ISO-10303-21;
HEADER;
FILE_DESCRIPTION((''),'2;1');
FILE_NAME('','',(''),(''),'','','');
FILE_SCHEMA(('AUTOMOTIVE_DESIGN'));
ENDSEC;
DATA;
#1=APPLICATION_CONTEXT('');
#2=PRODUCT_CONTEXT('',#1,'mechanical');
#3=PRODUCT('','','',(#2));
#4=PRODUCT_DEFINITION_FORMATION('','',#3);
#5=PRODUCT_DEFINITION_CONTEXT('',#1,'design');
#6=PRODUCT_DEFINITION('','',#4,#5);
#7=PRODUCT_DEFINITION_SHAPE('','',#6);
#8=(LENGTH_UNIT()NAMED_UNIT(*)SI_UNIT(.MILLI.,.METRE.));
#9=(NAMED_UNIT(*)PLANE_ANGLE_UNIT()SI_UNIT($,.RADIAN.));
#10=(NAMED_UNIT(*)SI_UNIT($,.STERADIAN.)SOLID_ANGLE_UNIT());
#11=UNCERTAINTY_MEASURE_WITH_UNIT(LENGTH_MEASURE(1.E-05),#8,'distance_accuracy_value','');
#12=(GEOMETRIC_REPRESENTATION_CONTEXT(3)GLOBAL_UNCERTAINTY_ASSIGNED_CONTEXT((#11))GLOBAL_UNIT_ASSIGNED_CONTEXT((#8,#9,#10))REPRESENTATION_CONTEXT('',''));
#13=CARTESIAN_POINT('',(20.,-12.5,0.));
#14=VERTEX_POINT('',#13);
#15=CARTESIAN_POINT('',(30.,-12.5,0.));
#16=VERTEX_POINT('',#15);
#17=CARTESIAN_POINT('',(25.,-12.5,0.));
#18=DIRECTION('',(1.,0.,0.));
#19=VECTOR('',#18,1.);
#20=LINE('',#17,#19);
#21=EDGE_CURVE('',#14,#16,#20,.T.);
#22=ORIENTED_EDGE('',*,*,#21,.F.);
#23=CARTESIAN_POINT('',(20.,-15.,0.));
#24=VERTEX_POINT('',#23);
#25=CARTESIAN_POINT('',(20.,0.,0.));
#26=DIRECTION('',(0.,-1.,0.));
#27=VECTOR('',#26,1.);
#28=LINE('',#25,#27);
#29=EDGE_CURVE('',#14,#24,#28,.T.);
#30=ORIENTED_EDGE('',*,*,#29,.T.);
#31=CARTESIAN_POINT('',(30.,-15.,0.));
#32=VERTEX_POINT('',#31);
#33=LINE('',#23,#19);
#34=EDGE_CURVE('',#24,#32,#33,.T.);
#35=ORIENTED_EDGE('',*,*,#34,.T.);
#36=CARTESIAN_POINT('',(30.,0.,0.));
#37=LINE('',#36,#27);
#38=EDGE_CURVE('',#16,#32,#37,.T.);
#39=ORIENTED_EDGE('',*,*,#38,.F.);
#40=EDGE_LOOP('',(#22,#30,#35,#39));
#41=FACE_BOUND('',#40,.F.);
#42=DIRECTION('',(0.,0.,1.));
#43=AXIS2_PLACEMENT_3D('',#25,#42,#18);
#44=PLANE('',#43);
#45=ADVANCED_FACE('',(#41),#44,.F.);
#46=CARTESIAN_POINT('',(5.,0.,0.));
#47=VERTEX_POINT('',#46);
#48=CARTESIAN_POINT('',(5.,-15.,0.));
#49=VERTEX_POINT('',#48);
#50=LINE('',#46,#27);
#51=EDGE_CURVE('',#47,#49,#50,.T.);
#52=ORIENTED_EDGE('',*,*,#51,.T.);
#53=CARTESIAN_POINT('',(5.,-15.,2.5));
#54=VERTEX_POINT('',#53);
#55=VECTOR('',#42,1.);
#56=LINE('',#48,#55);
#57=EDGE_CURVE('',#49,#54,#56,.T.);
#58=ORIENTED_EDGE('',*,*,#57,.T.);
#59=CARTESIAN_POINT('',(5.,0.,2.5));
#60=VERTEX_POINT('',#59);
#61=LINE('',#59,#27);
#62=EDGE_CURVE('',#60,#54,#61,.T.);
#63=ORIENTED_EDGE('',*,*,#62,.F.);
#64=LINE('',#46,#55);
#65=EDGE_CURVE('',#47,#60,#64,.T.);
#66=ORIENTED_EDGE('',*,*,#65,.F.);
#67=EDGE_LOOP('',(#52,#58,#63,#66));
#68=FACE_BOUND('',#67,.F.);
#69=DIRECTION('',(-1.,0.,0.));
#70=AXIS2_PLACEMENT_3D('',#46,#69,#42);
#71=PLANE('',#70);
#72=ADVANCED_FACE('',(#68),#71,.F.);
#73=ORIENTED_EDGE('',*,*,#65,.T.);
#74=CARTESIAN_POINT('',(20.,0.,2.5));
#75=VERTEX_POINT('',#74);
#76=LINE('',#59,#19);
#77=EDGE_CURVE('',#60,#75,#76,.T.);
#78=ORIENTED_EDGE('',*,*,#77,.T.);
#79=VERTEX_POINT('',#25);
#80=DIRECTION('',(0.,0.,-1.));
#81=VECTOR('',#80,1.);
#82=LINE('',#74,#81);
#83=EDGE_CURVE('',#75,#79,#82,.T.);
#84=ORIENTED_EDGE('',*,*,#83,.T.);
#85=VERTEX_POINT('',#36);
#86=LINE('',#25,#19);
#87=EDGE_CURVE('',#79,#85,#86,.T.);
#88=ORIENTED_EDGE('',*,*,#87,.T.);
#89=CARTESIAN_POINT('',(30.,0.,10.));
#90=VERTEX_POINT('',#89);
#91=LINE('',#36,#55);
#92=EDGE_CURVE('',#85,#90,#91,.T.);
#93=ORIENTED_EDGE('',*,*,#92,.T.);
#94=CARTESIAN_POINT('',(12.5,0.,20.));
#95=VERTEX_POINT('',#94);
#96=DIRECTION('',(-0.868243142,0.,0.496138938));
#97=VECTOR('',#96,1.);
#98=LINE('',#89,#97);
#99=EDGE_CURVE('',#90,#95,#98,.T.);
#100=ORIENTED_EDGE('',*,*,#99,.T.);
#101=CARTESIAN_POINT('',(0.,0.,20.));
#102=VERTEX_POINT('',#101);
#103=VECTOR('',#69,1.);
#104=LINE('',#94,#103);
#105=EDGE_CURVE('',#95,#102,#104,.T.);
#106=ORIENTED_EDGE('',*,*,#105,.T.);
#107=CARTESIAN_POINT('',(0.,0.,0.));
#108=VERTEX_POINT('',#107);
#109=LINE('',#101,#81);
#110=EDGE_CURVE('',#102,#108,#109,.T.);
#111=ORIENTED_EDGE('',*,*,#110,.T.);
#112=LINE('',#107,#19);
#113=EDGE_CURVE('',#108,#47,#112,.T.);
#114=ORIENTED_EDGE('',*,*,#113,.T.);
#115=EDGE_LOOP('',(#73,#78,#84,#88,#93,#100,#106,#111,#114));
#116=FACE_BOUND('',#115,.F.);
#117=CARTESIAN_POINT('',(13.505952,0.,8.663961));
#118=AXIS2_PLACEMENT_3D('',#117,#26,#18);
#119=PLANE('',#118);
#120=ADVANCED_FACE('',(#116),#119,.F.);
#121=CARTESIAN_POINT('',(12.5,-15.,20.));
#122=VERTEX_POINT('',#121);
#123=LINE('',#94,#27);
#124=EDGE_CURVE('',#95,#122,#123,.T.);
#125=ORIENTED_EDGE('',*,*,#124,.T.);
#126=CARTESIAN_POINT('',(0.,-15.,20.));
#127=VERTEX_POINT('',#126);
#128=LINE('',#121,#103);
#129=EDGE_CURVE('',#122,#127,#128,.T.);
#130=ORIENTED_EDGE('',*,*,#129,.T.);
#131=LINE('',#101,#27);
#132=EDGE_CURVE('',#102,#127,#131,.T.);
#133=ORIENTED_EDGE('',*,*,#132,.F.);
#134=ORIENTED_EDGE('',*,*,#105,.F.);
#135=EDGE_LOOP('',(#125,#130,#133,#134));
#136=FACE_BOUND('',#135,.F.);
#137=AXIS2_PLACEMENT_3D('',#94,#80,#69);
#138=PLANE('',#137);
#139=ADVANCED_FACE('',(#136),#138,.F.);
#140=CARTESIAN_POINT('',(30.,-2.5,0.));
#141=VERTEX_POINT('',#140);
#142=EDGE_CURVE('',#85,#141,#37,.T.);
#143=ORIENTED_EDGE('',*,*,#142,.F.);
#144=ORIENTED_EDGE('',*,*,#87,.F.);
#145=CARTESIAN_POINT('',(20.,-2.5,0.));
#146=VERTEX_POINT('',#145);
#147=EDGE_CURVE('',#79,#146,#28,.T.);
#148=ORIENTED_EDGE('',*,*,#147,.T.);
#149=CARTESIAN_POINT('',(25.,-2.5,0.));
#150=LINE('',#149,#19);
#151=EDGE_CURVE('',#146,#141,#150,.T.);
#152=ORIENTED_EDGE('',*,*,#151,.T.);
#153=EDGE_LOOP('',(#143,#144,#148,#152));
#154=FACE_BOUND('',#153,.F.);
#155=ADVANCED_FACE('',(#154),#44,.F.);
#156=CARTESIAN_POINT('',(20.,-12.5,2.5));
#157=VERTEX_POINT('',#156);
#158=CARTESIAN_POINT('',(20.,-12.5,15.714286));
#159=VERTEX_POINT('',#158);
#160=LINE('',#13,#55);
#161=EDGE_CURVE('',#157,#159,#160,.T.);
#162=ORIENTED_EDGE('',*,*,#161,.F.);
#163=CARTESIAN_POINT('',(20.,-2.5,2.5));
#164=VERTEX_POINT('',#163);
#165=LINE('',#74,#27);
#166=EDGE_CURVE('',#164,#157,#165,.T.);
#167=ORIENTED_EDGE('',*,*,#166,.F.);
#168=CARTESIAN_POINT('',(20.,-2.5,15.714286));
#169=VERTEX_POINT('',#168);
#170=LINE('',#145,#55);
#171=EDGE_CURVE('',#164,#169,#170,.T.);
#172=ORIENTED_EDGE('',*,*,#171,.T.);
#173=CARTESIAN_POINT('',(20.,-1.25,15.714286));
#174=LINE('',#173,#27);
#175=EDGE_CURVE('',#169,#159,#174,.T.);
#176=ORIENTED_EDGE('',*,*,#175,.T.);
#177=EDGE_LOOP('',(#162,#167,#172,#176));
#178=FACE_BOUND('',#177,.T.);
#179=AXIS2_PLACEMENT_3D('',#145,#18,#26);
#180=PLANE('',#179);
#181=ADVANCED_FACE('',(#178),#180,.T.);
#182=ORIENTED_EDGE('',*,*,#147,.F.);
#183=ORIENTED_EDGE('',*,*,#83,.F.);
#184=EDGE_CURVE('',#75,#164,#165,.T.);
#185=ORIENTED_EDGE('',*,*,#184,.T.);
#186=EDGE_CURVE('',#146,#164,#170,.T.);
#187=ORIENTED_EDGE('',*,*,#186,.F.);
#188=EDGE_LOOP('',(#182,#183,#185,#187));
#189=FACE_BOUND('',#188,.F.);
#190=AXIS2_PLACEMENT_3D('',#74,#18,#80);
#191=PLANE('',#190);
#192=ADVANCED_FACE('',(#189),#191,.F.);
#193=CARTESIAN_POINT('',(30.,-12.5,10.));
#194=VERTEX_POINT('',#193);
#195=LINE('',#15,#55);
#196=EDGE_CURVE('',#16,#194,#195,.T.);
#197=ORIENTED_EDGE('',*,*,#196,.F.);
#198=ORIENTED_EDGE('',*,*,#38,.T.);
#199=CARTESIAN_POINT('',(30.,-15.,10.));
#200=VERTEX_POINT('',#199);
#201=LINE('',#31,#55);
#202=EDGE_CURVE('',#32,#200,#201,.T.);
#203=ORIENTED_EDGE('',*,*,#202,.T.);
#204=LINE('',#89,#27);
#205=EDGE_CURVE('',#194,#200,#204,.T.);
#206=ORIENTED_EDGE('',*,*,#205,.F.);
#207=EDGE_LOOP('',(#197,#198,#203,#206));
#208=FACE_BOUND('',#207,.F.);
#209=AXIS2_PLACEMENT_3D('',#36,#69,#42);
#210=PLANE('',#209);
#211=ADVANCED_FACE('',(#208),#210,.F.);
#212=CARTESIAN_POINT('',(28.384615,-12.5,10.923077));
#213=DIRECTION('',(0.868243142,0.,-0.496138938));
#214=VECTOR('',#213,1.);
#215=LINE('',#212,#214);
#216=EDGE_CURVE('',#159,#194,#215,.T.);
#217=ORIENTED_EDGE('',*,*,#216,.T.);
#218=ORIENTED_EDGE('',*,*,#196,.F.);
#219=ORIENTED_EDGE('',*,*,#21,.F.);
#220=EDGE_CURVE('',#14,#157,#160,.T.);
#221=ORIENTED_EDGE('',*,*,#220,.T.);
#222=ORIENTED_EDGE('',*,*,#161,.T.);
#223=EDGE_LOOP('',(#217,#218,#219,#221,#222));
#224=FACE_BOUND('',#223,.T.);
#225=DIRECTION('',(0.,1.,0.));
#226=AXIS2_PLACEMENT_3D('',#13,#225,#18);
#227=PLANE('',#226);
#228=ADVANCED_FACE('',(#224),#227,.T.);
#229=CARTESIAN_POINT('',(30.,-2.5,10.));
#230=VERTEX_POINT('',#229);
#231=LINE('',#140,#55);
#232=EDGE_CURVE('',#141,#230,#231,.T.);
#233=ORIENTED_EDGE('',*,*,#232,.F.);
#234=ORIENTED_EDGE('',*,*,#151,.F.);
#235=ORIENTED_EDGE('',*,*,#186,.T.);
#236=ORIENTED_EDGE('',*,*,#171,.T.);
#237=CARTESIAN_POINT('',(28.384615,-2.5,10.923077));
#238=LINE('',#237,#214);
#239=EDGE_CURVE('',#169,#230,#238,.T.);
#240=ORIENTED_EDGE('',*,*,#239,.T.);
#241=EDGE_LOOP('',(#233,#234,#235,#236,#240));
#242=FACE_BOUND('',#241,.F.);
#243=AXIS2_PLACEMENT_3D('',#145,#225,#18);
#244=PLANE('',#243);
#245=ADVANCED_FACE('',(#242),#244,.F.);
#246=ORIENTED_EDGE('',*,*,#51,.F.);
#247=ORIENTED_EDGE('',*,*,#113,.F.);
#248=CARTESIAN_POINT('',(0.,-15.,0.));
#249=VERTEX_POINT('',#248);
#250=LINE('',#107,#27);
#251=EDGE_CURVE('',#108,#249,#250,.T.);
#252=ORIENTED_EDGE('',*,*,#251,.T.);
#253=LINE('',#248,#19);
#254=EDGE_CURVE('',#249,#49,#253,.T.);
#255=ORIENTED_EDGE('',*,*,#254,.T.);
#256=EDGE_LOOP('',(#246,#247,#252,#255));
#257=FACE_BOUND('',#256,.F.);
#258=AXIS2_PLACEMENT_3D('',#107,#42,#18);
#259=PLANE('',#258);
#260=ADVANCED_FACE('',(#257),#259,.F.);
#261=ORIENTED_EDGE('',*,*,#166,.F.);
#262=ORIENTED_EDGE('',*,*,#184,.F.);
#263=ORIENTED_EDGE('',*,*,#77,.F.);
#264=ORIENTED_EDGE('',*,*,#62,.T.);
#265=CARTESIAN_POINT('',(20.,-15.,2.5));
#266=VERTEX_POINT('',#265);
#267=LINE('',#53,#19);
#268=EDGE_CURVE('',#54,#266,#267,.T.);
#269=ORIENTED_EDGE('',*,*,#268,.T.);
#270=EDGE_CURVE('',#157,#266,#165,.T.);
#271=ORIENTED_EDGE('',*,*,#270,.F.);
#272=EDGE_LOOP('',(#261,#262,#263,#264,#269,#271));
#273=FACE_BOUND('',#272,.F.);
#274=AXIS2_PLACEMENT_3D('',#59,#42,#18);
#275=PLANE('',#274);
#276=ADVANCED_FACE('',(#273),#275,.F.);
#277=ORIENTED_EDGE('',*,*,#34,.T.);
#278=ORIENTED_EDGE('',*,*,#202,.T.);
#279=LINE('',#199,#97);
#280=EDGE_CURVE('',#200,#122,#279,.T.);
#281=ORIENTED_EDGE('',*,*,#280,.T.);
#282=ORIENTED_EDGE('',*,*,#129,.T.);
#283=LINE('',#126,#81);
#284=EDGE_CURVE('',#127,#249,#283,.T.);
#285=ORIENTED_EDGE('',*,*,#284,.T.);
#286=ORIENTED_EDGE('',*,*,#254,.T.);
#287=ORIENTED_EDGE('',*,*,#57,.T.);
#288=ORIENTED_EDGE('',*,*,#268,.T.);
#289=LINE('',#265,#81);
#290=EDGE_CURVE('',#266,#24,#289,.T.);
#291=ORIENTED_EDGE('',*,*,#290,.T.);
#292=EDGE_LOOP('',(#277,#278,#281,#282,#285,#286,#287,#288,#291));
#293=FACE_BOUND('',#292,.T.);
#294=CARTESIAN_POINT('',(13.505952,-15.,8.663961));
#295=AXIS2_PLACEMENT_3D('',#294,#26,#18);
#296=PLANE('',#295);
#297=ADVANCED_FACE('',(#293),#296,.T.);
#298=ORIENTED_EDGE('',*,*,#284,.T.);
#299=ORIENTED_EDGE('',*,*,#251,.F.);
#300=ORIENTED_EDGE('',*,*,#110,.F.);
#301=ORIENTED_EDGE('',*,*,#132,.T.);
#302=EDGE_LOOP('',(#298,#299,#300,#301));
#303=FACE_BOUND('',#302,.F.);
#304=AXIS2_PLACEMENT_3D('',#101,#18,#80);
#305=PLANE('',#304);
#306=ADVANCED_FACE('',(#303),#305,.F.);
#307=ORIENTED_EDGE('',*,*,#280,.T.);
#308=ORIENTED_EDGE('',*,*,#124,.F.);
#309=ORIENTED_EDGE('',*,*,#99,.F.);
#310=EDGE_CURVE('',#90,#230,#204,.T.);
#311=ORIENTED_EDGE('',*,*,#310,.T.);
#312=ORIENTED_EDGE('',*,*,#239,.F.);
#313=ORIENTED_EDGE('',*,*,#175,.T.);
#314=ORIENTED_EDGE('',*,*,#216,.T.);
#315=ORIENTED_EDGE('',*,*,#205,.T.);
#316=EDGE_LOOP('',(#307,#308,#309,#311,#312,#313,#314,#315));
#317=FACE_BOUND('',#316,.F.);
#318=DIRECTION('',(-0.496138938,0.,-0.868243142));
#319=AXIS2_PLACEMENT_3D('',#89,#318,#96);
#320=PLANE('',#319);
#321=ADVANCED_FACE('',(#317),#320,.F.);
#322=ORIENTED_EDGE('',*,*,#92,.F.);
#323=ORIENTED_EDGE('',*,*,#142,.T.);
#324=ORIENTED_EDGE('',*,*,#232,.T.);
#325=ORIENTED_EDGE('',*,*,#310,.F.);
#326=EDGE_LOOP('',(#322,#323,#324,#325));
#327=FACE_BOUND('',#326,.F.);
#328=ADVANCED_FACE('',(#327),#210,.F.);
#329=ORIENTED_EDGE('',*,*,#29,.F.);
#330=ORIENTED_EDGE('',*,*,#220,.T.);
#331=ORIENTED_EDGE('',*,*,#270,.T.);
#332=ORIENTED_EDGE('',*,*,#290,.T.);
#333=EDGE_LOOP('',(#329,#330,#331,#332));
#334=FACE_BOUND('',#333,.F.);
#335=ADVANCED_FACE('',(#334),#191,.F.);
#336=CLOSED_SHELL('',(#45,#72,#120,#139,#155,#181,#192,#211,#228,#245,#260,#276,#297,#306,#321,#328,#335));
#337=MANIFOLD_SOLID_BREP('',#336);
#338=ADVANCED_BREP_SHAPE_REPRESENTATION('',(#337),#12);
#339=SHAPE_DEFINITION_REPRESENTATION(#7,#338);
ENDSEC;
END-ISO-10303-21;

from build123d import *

# Parameters (mm, degrees)
F1_DEPTH = 15
F2_W     = 10
F2_H     = 10
F3_DEPTH = 20.001


with BuildPart() as f1:
    # F0 (on Front) → F1 (new body)
    with BuildSketch(Plane.XZ):
        Polygon((0, 20), (0, 0), (5, 0), (5, 2.5), (20, 2.5), (20, 0), (30, 0), (30, 10), (12.5, 20), align=None)
    extrude(amount=F1_DEPTH)

    # F2 (on face) → F3 (cut, through all)
    with BuildSketch(Plane(origin=(0, 0, 0), x_dir=(1, 0, 0), z_dir=(0, 0, -1))):
        with Locations((25, 7.5)):
            Rectangle(F2_W, F2_H)
    extrude(amount=-F3_DEPTH, mode=Mode.SUBTRACT)


solid = f1.part
